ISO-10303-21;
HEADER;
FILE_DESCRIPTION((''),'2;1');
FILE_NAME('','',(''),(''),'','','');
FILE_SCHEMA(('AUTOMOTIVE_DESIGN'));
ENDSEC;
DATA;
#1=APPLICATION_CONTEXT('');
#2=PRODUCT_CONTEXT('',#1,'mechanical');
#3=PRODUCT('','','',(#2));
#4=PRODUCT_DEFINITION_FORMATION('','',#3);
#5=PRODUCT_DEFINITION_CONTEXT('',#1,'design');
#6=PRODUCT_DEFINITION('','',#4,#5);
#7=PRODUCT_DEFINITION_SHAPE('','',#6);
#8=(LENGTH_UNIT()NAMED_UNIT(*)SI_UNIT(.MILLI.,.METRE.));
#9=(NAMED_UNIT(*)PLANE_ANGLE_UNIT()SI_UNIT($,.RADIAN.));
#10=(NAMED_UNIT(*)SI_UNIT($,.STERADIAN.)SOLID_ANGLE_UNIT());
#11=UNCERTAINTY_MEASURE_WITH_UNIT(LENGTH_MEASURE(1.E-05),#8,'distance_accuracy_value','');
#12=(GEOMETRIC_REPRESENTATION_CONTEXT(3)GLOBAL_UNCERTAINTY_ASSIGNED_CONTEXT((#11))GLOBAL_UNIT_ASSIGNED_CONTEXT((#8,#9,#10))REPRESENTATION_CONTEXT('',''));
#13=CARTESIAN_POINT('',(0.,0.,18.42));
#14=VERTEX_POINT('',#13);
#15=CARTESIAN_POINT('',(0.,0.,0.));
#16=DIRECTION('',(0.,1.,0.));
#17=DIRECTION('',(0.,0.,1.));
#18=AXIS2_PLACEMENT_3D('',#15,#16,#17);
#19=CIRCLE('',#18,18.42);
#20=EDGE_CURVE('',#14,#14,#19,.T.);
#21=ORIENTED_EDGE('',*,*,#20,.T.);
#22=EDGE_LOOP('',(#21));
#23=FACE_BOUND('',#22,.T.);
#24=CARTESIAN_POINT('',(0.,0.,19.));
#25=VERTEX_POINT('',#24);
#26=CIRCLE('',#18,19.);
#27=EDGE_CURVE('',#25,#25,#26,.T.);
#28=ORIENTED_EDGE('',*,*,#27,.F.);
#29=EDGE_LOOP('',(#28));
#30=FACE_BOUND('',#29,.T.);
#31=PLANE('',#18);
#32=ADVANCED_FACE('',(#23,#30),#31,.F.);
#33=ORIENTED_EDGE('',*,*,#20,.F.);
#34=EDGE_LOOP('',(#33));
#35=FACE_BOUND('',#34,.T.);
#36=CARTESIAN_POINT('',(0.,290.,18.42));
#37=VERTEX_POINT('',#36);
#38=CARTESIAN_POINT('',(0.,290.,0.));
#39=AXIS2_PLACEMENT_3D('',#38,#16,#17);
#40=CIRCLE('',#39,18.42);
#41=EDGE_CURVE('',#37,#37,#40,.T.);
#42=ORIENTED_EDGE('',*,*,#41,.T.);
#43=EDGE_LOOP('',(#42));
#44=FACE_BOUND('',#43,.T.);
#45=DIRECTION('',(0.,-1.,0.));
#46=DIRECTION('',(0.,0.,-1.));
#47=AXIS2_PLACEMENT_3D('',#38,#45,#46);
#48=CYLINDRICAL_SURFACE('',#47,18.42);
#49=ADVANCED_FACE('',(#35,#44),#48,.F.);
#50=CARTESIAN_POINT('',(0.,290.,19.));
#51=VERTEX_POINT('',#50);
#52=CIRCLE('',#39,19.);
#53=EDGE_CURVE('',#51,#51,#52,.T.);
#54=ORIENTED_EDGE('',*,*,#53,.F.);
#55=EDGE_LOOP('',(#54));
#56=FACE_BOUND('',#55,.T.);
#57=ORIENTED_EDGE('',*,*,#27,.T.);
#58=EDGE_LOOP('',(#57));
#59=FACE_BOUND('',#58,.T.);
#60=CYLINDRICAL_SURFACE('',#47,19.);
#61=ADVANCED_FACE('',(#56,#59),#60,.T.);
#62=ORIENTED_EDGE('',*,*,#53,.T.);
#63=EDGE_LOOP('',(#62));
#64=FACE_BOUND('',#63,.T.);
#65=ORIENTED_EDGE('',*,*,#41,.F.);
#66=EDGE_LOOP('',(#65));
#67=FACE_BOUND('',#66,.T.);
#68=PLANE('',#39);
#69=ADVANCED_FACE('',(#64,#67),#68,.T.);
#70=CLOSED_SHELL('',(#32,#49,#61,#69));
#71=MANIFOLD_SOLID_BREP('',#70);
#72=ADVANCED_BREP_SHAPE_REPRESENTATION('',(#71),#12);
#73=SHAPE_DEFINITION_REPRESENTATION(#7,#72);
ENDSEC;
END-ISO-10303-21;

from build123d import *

# Parameters (mm, degrees)
ESBO_O2_R                = 19
ESBO_O2_R_2              = 18.42
RESSALTO_EXTRUS_O1_DEPTH = 290


with BuildPart() as part:
    # Esboço2 → Ressalto-extrusão1 (new body)
    with BuildSketch(Plane(origin=(0, 0, 0), x_dir=(1, 0, 0), z_dir=(0, 1, 0))):
        with Locations(Location((0, 0, 0), (0, 0, 270))):
            Circle(ESBO_O2_R)
        with Locations(Location((0, 0, 0), (0, 0, 270))):
            Circle(ESBO_O2_R_2, mode=Mode.SUBTRACT)
    extrude(amount=RESSALTO_EXTRUS_O1_DEPTH)


solid = part.part
